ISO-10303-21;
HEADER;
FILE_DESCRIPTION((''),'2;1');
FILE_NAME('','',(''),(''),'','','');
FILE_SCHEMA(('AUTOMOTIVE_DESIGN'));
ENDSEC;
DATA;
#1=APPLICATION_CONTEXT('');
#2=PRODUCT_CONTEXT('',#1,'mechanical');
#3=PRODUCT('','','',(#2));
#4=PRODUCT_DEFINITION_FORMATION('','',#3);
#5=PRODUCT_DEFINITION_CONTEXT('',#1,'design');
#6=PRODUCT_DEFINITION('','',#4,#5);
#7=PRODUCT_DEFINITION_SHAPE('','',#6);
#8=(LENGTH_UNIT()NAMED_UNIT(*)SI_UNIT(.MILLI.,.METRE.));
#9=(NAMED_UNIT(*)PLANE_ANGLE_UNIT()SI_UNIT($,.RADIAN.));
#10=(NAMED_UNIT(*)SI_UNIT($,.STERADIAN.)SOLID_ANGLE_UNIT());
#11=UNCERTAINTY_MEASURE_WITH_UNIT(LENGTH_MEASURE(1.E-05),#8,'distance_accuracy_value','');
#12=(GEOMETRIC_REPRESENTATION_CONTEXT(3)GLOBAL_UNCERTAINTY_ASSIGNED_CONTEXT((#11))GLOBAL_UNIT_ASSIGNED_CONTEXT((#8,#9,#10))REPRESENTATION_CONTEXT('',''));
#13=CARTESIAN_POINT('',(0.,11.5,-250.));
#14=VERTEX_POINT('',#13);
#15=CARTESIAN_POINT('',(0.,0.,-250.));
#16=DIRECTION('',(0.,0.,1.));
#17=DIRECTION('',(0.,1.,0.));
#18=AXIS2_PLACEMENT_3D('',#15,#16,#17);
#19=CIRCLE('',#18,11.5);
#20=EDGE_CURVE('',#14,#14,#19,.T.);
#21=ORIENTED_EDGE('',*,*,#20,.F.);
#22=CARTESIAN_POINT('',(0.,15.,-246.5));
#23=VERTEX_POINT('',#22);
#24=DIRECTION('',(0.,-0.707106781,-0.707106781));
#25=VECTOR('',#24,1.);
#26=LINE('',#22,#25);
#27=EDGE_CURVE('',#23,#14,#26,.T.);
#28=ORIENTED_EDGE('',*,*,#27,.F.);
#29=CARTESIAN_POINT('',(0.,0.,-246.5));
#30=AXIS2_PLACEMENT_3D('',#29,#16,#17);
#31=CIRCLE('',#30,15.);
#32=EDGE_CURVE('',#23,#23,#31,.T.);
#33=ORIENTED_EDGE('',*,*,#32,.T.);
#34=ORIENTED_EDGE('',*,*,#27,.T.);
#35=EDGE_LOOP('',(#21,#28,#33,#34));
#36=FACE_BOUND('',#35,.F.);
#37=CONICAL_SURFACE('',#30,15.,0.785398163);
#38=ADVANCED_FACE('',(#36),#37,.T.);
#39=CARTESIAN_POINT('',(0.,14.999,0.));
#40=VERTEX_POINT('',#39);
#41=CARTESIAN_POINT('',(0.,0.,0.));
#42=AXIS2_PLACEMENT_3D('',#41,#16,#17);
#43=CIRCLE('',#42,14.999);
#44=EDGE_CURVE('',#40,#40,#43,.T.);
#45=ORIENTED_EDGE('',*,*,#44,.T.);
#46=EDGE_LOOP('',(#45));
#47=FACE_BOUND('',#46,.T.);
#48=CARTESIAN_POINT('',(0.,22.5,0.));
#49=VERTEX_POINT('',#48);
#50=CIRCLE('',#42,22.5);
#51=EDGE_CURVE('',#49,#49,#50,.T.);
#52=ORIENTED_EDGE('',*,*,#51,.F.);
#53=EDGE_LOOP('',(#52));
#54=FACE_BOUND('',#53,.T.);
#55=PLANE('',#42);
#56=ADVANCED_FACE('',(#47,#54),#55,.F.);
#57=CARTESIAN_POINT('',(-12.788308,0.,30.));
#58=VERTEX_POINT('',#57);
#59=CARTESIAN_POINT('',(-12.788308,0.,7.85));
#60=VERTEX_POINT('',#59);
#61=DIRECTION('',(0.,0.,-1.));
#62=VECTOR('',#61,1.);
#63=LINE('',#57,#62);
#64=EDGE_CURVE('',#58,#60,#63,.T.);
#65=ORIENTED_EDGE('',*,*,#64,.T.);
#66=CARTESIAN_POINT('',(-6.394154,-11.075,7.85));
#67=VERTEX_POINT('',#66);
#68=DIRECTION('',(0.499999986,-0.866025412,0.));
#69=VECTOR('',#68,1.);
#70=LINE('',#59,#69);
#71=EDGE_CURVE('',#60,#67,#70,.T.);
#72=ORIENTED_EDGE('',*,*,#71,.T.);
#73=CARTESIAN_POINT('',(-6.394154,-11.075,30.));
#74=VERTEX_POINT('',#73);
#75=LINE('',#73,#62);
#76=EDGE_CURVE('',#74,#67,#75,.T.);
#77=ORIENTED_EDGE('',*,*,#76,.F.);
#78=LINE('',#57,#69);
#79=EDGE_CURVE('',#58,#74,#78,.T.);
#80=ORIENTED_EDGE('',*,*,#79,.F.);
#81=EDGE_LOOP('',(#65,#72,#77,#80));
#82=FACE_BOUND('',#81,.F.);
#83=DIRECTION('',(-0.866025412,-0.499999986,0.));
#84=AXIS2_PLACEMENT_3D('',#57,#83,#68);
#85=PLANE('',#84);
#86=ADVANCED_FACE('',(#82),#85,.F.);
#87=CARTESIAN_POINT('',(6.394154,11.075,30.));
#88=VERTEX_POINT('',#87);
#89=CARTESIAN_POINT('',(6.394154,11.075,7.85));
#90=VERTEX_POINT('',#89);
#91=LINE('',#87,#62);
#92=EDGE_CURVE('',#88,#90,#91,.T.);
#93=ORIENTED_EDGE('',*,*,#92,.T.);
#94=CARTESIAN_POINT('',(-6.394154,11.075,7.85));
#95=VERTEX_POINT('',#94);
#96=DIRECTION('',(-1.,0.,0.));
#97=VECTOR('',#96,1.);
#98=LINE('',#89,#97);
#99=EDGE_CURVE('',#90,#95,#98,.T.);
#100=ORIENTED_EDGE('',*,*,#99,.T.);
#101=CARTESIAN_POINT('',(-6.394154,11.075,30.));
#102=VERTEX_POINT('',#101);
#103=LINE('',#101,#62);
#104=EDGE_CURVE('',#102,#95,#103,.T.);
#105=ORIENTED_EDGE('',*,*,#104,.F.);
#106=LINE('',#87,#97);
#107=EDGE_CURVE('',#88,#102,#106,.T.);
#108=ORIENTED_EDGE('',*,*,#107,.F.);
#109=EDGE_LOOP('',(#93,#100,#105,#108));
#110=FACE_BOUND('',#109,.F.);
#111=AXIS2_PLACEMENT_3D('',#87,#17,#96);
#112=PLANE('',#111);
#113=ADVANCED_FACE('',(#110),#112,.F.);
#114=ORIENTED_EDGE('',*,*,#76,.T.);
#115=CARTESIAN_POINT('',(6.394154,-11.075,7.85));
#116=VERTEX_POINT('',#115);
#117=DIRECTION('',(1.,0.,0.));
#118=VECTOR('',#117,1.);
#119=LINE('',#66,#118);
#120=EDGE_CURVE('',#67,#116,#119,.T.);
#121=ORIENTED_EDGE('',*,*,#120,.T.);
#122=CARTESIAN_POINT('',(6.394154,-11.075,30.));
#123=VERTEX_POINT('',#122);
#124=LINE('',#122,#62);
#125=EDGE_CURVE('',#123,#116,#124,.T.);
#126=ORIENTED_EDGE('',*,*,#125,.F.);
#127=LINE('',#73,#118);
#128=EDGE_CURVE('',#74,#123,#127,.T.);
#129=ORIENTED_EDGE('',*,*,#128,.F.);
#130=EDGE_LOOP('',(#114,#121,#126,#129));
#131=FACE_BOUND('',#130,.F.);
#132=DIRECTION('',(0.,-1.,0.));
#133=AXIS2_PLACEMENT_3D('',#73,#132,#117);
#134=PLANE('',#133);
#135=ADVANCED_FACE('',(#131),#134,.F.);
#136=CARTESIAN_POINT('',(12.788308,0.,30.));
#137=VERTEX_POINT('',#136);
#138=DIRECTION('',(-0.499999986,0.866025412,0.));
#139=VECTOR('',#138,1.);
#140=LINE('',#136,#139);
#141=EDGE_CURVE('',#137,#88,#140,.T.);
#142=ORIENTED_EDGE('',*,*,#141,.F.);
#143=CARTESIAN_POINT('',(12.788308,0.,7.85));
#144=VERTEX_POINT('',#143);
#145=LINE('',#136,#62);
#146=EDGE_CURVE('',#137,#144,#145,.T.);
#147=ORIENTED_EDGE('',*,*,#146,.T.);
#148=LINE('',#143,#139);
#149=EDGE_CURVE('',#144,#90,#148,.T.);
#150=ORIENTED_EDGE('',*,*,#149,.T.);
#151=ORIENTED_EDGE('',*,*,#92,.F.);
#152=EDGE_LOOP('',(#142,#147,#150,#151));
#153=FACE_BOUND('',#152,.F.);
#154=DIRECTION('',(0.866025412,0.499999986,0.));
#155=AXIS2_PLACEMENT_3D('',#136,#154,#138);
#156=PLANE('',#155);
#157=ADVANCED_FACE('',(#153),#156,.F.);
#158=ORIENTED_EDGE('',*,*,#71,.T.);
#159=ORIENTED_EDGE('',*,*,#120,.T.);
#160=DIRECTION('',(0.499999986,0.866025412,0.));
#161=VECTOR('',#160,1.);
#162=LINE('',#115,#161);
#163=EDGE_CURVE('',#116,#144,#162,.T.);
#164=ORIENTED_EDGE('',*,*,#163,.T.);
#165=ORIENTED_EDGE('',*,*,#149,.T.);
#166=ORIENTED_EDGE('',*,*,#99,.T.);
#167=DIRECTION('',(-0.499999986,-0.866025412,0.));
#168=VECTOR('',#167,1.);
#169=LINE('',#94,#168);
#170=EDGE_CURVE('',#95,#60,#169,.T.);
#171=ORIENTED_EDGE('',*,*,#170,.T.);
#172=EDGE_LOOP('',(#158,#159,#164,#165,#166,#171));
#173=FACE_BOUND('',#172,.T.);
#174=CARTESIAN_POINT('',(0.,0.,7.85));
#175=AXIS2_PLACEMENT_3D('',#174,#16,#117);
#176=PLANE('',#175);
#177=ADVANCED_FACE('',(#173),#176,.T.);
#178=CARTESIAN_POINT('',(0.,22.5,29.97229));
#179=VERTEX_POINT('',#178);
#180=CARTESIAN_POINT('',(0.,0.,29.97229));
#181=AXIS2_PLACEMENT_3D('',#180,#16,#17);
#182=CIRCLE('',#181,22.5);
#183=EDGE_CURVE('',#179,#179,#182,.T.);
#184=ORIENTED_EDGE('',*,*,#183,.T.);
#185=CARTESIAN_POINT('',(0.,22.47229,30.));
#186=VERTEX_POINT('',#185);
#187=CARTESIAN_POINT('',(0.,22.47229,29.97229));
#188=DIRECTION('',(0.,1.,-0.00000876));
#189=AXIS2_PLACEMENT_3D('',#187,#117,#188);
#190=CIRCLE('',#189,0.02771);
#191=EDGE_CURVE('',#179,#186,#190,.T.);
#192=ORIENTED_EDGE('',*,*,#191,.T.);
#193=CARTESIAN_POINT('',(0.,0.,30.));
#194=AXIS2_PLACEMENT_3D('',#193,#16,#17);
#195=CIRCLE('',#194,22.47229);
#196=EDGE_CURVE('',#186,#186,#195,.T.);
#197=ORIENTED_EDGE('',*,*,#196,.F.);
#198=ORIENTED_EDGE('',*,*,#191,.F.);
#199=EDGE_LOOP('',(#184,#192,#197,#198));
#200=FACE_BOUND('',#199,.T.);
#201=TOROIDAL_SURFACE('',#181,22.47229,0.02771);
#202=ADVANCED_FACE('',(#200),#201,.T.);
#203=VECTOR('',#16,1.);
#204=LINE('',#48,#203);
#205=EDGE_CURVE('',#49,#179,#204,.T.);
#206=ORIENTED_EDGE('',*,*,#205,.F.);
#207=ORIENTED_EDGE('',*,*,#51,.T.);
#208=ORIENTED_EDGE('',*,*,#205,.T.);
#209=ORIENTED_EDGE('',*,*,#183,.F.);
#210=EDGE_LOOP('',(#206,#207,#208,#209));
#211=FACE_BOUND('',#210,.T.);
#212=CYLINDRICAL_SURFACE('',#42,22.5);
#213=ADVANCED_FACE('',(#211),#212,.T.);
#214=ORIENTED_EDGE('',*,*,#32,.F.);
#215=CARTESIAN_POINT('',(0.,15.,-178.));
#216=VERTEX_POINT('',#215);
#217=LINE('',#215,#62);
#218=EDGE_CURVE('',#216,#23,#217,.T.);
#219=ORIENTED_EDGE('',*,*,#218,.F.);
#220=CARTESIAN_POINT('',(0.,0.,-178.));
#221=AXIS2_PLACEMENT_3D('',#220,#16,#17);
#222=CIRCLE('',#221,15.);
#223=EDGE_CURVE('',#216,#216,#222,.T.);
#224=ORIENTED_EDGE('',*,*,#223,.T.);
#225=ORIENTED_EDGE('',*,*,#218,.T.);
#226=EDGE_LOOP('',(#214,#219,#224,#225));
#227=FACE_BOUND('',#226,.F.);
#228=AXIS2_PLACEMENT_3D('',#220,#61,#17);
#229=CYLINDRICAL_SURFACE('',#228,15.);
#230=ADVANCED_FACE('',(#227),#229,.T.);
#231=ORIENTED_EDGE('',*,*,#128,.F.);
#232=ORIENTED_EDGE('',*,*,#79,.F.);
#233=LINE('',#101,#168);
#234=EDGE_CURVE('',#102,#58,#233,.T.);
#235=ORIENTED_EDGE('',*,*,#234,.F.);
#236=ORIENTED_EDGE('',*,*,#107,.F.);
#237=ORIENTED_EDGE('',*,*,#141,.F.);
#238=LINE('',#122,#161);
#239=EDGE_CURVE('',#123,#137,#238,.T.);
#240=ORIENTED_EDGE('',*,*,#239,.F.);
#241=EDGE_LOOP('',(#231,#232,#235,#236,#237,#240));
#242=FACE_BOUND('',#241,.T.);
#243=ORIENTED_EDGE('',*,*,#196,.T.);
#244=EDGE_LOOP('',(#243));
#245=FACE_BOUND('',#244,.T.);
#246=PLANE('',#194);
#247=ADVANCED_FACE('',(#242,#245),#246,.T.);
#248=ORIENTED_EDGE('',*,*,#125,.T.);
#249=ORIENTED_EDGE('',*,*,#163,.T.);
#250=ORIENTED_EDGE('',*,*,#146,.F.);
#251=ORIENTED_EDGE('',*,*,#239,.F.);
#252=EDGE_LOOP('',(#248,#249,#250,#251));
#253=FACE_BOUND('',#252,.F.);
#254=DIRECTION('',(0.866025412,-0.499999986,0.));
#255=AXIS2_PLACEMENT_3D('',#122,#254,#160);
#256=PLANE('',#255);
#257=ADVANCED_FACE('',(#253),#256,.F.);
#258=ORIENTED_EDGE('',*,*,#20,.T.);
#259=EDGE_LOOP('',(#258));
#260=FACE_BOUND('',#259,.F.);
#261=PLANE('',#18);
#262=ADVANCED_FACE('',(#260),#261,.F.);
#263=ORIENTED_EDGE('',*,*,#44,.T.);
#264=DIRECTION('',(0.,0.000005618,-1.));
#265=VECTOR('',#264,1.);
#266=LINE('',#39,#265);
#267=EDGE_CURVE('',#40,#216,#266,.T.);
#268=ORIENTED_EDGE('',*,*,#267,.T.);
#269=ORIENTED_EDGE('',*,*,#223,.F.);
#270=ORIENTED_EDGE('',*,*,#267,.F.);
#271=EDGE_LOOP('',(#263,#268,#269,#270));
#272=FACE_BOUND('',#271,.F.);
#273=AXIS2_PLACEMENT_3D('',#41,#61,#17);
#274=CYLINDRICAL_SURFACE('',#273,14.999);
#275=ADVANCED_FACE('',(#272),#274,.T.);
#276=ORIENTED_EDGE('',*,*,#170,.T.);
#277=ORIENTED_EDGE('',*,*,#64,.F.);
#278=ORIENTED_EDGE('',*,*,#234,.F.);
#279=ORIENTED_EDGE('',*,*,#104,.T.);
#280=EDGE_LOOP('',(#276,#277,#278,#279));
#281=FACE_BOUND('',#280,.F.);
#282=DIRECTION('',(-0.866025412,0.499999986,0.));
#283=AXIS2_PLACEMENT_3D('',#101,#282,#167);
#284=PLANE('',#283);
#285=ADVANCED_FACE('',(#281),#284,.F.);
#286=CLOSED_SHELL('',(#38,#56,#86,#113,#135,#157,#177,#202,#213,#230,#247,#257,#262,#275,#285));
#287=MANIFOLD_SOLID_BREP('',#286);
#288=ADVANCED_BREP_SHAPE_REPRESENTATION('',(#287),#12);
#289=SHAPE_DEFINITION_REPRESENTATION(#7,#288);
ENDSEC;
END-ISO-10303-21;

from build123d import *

# Parameters (mm, degrees)
POCKET_DEPTH = 22.15


with BuildPart() as part:
    # Sketch → Revolve (revolve)
    with BuildSketch(Plane.YZ):
        with BuildLine():
            Line((14.999, 0), (22.5, 0))
            Line((22.5, 0), (22.5, 29.97229))
            ThreePointArc((22.5, 29.97229), (22.491884, 29.991884), (22.47229, 30))
            Line((22.47229, 30), (0, 30))
            Line((0, -250), (0, 30))
            Line((11.5, -250), (0, -250))
            Line((15, -246.5), (11.5, -250))
            Line((15, -178), (15, -246.5))
            Line((14.999, 0), (15, -178))
        make_face()
    revolve(axis=Axis((0, 0, 0), (0, 0, 1)))

    # Sketch001 → Pocket (cut)
    with BuildSketch(Plane.XY.offset(30)):
        Polygon((12.788308, 0), (6.394154, 11.075), (-6.394154, 11.075), (-12.788308, 0), (-6.394154, -11.075), (6.394154, -11.075), align=None)
    extrude(amount=-POCKET_DEPTH, mode=Mode.SUBTRACT)


solid = part.part
